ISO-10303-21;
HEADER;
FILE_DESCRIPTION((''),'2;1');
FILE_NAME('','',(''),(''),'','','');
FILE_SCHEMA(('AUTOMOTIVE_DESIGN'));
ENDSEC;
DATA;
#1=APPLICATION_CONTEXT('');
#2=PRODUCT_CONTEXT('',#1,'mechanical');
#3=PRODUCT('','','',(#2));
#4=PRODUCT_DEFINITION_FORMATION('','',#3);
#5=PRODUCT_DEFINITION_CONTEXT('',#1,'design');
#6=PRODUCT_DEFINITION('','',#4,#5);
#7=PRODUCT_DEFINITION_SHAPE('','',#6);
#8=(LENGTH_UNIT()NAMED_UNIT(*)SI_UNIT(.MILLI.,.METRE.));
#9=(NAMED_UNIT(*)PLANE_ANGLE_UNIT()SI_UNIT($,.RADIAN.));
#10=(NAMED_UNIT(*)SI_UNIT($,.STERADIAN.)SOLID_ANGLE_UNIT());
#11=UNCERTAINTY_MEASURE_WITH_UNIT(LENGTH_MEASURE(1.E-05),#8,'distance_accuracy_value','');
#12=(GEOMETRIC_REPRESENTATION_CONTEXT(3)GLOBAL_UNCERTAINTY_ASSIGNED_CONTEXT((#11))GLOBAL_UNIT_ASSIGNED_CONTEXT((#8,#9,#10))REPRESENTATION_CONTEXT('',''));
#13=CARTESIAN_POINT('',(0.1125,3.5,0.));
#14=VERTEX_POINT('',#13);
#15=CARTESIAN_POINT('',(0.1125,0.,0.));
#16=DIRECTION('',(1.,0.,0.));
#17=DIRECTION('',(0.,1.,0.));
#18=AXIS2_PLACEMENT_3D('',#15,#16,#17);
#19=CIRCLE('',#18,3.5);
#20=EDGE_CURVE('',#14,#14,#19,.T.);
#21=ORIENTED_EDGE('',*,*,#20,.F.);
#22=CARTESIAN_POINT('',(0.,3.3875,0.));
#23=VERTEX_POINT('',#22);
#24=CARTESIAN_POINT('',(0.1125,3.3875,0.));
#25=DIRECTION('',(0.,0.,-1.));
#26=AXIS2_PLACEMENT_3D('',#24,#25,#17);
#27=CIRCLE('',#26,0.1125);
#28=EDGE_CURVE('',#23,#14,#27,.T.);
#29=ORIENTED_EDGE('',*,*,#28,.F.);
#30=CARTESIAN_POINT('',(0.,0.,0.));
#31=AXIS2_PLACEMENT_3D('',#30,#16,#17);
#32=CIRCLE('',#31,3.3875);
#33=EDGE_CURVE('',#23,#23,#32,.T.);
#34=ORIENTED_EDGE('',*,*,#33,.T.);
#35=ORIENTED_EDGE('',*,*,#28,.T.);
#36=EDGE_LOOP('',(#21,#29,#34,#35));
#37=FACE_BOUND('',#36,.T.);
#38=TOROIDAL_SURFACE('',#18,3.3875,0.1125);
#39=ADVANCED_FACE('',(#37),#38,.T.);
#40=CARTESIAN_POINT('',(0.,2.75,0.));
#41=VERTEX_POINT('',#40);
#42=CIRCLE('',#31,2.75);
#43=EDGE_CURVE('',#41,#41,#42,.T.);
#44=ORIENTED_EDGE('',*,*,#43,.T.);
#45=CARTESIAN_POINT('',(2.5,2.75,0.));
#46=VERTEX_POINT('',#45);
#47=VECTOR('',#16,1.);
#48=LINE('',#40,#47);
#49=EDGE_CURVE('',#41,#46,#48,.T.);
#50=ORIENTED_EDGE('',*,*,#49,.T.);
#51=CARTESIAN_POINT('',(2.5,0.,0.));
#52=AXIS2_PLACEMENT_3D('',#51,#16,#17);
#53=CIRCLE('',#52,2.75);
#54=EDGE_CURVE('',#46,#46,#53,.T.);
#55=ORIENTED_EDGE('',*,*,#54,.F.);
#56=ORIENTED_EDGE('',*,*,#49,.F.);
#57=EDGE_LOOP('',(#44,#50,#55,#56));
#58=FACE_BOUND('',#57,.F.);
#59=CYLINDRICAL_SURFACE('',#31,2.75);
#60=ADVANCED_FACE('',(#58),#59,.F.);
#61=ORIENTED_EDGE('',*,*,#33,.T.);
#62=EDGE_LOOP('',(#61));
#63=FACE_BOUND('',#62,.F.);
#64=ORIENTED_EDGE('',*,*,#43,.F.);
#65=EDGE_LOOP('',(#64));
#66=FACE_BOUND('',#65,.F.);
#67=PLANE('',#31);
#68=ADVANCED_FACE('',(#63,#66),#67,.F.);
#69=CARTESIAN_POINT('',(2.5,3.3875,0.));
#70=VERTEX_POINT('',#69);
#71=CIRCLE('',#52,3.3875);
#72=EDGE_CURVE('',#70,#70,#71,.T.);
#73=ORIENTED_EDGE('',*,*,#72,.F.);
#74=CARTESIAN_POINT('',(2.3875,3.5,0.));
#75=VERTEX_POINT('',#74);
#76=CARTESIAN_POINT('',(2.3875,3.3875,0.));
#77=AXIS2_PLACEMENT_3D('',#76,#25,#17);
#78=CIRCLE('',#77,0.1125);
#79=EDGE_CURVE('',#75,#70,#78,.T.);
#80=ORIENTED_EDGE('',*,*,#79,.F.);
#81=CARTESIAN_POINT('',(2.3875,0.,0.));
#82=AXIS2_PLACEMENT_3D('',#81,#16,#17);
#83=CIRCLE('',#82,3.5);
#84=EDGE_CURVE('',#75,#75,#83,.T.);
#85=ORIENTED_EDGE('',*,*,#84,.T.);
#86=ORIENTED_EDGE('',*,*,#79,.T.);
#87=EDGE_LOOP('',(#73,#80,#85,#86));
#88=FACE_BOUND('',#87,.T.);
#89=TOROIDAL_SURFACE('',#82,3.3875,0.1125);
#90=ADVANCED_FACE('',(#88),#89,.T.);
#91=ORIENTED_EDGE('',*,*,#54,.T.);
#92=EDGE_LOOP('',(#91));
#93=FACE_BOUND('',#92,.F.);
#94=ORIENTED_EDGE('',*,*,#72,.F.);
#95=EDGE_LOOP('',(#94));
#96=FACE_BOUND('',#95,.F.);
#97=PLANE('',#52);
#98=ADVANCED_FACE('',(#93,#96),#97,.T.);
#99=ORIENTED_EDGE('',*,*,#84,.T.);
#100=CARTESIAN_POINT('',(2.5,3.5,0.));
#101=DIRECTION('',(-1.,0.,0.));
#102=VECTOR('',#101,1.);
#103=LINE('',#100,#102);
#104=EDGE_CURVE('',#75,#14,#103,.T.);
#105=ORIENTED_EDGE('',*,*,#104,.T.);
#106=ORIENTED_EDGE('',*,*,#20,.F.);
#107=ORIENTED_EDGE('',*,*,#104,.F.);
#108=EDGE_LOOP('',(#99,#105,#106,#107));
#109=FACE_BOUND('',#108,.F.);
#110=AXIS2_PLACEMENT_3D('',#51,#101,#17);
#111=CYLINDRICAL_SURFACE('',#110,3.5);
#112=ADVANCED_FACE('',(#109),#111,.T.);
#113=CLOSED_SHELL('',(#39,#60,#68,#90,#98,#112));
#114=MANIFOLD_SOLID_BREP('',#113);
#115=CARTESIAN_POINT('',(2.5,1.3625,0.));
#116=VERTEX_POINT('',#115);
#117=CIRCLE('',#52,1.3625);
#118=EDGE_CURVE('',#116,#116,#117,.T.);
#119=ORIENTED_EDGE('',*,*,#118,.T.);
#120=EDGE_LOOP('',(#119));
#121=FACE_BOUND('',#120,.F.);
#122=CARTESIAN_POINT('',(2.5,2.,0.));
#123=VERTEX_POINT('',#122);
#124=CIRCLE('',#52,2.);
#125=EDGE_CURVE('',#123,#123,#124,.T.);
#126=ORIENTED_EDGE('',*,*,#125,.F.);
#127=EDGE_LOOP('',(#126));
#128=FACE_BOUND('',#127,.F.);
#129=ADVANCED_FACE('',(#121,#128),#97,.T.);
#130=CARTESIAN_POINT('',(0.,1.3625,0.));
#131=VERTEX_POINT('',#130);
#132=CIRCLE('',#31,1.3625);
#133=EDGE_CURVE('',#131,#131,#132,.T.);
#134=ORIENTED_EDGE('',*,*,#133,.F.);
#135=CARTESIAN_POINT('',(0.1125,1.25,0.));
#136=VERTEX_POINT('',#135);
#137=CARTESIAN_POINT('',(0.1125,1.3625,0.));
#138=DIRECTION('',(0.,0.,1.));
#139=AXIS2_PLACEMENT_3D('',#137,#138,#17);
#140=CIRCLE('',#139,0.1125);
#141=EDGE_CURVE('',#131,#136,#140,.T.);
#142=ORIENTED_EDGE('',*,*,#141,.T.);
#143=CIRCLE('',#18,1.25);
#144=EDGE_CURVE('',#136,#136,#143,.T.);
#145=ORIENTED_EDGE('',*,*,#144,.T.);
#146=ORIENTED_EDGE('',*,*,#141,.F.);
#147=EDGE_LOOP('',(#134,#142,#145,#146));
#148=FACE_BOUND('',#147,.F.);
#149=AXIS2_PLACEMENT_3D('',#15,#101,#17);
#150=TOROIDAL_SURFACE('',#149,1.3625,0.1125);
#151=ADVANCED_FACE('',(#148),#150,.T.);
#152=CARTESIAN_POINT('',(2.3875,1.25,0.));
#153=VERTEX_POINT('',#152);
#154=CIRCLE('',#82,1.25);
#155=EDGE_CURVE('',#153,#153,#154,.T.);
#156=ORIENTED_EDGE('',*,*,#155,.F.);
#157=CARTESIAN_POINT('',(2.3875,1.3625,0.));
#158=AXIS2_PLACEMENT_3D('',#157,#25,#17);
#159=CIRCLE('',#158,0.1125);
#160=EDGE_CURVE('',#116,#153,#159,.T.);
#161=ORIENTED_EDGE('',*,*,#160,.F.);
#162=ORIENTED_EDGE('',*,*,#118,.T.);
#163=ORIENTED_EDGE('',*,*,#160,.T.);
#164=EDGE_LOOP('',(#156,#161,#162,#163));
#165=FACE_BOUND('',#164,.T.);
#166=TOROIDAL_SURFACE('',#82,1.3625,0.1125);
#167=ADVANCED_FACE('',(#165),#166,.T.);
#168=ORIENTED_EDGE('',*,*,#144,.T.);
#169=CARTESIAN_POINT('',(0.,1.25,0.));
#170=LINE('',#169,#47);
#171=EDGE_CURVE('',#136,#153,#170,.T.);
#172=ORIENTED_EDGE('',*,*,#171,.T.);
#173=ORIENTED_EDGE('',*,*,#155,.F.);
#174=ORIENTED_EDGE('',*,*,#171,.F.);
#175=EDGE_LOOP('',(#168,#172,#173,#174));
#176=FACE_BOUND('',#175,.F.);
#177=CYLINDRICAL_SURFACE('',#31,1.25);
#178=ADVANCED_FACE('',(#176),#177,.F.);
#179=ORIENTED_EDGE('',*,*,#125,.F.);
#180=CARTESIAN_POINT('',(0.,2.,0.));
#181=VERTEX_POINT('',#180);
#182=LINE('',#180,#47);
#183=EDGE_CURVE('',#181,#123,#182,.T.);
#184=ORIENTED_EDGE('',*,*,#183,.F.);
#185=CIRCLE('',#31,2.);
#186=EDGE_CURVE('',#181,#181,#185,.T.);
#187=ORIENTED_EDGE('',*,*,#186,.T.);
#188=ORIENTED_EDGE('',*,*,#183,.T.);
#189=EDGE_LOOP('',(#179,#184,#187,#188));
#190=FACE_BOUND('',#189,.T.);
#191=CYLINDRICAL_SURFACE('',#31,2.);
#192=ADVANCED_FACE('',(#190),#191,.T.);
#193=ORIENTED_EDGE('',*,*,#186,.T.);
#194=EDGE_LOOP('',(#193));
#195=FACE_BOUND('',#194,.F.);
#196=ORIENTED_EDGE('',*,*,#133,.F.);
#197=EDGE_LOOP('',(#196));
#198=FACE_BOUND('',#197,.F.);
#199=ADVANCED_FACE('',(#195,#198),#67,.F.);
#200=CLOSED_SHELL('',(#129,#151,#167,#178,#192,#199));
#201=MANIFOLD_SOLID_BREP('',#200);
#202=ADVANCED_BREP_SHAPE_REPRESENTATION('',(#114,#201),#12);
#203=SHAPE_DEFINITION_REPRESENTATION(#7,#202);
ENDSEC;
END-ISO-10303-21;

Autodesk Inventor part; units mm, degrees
ref_plane "YZ Plane" through (0, 0, 0) normal (1, 0, 0) x (0, 1, 0)
ref_plane "XZ Plane" through (0, 0, 0) normal (0, 1, 0) x (-1, 0, 0)
ref_plane "XY Plane" through (0, 0, 0) normal (0, 0, 1) x (1, 0, 0)
sketch "草图" plane through (0, 0, 0) normal (0, 0, 1) x (1, 0, 0)
  line L0 (0, 0) -> (2.5, 0)
  line L1 (0, 0) -> (0, 1.25) construction
  line L2 (0, 1.25) -> (2.5, 1.25)
  line L3 (2.5, 1.25) -> (2.5, 3.5)
  line L4 (2.5, 3.5) -> (0, 3.5)
  line L5 (0, 3.5) -> (0, 1.25)
  line L6 (0, 2.375) -> (2.5, 2.375)
  line L7 (0, 2.75) -> (2.5, 2.75)
  line L8 (0, 2) -> (2.5, 2)
  dimension "d0" = 2.5
  dimension "d1" = 2.5
  dimension "d2" = 4
  dimension "d3" = 7
revolve "轴承体" add sketch "草图" angle 360 about axis through (0, 0, 0) along (1, 0, 0) contours L5 L8 L3 L2 | L5 L4 L3 L7
fillet "圆角1" radius 0.1125 4 edges at (0, -3.5, 0) (2.5, -3.5, 0) (0, -1.25, 0) (2.5, -1.25, 0)
equation "\"d0\" = KB"
equation "\"d1\" = WD"
equation "\"d2\" = 0.333333 * BD + 0.666667 * WD"
equation "\"d3\" = BD"
equation "\"d5\" = -0.025 * WD + 0.025 * BD"
equation "\"WD\" = 2.5"
equation "\"BD\" = 7"
equation "\"KB\" = 2.5"
equation "\"BBA\" = 0"
equation "\"KRS\" = 0.15"
equation "\"KR1S\" = 0.08"
equation "\"BR\" = 0.5 * BD"
equation "\"WR\" = 0.5 * WD"
properties part number "BS 3469 - 19 - 2.5 x 7 x 2.5" material "钢，软"
